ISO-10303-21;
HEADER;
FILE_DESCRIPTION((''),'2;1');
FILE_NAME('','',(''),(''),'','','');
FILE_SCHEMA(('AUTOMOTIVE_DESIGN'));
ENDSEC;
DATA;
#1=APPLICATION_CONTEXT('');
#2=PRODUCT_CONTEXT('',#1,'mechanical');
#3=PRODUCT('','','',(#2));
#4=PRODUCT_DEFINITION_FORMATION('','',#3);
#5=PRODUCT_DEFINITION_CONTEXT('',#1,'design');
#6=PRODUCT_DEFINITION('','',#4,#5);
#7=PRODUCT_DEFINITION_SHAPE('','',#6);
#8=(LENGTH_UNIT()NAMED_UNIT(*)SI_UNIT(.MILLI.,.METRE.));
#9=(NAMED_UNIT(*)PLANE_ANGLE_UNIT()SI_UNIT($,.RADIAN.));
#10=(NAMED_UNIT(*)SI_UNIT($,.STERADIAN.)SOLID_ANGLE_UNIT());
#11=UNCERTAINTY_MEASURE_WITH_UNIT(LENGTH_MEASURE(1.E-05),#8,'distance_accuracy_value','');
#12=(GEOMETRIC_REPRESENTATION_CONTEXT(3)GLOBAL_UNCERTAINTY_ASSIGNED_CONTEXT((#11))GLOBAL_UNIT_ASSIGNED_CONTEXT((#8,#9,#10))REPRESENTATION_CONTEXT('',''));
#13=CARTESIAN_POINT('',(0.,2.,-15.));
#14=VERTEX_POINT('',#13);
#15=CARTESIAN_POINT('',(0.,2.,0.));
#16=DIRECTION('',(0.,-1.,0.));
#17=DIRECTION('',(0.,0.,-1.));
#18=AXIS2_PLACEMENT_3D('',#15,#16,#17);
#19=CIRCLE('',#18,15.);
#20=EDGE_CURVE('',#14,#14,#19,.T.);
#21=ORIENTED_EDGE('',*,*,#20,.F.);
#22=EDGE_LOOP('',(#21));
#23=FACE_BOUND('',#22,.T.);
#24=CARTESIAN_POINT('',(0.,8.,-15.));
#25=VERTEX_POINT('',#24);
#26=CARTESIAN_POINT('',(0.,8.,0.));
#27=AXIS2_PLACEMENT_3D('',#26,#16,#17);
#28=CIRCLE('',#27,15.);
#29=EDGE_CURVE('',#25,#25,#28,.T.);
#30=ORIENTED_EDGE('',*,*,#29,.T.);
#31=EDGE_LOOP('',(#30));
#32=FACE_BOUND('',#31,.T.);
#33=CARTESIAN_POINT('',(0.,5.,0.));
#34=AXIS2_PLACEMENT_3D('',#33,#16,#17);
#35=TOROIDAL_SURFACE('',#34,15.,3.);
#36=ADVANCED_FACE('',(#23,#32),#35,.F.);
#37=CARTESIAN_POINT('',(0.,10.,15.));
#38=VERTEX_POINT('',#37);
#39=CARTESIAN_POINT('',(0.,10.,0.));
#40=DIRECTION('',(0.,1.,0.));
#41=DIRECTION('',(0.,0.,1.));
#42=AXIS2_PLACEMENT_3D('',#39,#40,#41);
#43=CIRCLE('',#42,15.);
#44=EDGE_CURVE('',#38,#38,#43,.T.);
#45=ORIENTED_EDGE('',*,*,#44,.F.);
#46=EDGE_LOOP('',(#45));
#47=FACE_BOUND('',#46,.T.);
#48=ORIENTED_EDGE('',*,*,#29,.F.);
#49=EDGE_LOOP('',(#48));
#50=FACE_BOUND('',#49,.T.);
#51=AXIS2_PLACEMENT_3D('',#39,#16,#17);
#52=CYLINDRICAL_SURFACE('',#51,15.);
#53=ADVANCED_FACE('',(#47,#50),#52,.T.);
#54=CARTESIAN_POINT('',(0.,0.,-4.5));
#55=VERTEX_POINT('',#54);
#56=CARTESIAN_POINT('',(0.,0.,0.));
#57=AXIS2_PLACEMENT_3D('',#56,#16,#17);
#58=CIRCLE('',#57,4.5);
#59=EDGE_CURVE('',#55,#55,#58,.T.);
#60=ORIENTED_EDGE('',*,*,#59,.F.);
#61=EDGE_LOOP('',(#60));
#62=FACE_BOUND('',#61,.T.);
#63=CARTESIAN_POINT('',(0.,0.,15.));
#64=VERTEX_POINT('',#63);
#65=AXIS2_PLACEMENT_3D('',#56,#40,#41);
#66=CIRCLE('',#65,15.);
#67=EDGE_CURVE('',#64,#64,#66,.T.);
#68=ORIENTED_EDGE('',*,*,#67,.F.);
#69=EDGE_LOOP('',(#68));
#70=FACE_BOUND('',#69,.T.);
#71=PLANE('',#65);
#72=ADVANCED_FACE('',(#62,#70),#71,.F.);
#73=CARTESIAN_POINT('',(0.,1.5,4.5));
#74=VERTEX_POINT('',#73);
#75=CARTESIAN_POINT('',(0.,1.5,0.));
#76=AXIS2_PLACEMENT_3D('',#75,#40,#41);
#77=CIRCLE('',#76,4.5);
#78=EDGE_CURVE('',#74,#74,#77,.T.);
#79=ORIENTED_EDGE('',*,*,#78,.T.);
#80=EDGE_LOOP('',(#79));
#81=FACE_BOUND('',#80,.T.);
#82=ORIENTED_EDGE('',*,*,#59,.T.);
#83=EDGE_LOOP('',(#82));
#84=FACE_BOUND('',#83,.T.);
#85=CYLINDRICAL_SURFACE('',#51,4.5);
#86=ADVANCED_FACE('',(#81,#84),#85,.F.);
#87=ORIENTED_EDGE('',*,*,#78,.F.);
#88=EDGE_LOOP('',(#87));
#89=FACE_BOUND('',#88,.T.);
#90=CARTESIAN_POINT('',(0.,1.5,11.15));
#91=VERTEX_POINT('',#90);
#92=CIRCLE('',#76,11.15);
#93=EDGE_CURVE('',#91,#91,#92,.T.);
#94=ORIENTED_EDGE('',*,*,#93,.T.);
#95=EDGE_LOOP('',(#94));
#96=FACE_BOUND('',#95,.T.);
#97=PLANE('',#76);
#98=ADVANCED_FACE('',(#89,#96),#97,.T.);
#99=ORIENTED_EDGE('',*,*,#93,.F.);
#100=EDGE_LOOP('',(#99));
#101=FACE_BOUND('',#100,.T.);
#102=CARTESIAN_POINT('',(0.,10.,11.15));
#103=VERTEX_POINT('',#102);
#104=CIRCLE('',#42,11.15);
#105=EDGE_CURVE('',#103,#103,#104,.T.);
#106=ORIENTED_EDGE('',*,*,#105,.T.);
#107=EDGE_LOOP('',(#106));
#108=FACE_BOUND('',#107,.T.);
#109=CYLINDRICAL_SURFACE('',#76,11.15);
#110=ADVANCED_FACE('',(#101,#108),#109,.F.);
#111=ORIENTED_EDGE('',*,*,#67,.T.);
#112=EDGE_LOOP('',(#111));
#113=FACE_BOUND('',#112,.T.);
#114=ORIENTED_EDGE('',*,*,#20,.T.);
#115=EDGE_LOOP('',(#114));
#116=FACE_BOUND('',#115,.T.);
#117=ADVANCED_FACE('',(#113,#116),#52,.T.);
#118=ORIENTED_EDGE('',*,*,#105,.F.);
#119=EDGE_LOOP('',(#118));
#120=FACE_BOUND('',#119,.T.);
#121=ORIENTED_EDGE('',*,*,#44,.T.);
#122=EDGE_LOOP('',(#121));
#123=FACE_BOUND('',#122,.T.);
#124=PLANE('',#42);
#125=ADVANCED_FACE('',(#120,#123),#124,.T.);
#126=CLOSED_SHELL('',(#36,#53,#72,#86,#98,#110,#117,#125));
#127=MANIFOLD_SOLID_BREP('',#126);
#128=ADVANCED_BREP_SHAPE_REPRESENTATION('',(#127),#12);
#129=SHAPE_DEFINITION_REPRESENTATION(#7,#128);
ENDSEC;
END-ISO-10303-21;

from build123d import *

# Parameters (mm, degrees)
ESBO_O1_R                = 15
RESSALTO_EXTRUS_O1_DEPTH = 10
ESBO_O9_R                = 11.15
CORTE_EXTRUS_O1_DEPTH    = 8.5
ESBO_O10_R               = 4.5
CORTE_EXTRUS_O2_DEPTH    = 24.452078799


with BuildPart() as part:
    # Esboço1 → Ressalto-extrusão1 (new body)
    with BuildSketch(Plane(origin=(0, 0, 0), x_dir=(1, 0, 0), z_dir=(0, 1, 0))):
        with Locations(Location((0, 0, 0), (0, 0, 270))):
            Circle(ESBO_O1_R)
    extrude(amount=RESSALTO_EXTRUS_O1_DEPTH)

    # Esboço8 → Corte-Revolução1 (revolve, cut)
    with BuildSketch(Plane.XY, mode=Mode.PRIVATE) as corte_revolu_o1_sk:
        with BuildLine():
            Line((15, 8), (15, 2))
            ThreePointArc((15, 2), (12, 5), (15, 8))
        make_face()
    revolve(corte_revolu_o1_sk.sketch.rotate(Axis((0, 0, 0), (0, 1, 0)), 90), axis=Axis((0, 0, 0), (0, 1, 0)), mode=Mode.SUBTRACT)

    # Esboço9 → Corte-extrusão1 (cut)
    with BuildSketch(Plane(origin=(0, 10, 0), x_dir=(1, 0, 0), z_dir=(0, 1, 0))):
        with Locations(Location((0, 0, 0), (0, 0, 270))):
            Circle(ESBO_O9_R)
    extrude(amount=-CORTE_EXTRUS_O1_DEPTH, mode=Mode.SUBTRACT)

    # Esboço10 → Corte-extrusão2 (cut, through all)
    with BuildSketch(Plane.XZ):
        with Locations(Location((0, 0, 0), (0, 0, 270))):
            Circle(ESBO_O10_R)
    extrude(amount=-CORTE_EXTRUS_O2_DEPTH, mode=Mode.SUBTRACT)


solid = part.part
